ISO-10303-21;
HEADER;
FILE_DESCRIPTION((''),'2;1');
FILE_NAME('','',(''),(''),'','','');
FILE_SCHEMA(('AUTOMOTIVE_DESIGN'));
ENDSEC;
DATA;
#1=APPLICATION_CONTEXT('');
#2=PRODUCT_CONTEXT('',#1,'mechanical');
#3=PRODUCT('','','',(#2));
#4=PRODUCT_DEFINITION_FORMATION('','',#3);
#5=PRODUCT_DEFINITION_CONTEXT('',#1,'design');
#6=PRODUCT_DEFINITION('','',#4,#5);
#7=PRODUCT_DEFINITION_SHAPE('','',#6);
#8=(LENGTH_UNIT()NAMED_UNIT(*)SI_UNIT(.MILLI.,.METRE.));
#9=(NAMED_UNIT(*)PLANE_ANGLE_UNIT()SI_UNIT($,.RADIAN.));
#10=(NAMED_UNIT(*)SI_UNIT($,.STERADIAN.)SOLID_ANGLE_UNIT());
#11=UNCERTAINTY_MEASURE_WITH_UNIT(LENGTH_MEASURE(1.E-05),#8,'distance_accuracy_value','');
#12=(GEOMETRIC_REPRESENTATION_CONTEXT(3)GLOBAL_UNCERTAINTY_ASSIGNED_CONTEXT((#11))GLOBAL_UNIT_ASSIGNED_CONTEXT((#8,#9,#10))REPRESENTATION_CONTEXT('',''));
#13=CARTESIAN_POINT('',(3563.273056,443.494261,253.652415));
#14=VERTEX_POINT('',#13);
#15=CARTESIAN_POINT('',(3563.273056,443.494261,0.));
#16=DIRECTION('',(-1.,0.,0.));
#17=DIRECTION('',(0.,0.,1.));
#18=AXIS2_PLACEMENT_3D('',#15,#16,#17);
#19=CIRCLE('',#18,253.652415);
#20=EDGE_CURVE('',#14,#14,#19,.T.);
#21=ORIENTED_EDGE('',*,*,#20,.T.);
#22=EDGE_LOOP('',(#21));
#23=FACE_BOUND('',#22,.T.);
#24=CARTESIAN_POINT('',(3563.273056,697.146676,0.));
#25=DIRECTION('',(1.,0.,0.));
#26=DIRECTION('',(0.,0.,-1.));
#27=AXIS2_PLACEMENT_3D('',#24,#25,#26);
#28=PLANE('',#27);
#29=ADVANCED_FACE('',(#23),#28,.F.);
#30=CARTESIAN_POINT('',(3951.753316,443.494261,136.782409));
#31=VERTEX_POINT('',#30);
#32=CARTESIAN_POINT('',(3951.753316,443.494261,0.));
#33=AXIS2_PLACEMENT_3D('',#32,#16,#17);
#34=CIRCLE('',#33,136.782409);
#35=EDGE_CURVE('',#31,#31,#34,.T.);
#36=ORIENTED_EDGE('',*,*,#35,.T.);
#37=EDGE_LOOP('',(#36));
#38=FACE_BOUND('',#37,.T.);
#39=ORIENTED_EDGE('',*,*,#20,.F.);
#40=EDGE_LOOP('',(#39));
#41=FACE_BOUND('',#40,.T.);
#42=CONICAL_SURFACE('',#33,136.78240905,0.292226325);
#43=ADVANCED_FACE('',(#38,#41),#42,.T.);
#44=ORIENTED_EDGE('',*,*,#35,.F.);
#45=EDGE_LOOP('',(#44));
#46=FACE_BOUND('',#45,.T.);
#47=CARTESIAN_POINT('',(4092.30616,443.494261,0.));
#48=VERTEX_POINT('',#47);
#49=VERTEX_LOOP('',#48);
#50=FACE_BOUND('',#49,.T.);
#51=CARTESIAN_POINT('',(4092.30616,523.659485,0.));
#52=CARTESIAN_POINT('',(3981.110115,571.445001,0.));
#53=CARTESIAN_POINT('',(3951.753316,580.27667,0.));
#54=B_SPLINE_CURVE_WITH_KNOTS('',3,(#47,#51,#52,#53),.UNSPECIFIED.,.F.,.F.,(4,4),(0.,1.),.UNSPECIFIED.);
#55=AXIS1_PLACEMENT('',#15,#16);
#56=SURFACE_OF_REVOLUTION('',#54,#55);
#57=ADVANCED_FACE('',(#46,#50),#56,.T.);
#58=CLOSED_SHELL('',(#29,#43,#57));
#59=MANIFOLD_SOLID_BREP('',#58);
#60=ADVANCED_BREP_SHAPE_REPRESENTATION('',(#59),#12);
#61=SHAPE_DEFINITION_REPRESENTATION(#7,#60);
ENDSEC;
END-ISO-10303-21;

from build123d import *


with BuildPart() as part:
    # Sketch1 → Revolve1 (revolve)
    with BuildSketch(Plane.XY):
        with BuildLine():
            Line((3563.273055837, 697.146676222), (3951.753316429, 580.276670076))
            add(Edge.make_bspline(
                [(4092.306159962, 443.494261025), (4092.306159962, 523.659484664), (3981.110114694, 571.445000769), (3951.753316429, 580.276670076)],
                knots=[0, 0, 0, 0, 1, 1, 1, 1], degree=3))
            Line((4092.306159962, 443.494261025), (3563.273055837, 443.494261025))
            Line((3563.273055837, 443.494261025), (3563.273055837, 697.146676222))
        make_face()
    revolve(axis=Axis((3563.273055837, 443.494261025, 0), (1, 0, 0)))


solid = part.part
